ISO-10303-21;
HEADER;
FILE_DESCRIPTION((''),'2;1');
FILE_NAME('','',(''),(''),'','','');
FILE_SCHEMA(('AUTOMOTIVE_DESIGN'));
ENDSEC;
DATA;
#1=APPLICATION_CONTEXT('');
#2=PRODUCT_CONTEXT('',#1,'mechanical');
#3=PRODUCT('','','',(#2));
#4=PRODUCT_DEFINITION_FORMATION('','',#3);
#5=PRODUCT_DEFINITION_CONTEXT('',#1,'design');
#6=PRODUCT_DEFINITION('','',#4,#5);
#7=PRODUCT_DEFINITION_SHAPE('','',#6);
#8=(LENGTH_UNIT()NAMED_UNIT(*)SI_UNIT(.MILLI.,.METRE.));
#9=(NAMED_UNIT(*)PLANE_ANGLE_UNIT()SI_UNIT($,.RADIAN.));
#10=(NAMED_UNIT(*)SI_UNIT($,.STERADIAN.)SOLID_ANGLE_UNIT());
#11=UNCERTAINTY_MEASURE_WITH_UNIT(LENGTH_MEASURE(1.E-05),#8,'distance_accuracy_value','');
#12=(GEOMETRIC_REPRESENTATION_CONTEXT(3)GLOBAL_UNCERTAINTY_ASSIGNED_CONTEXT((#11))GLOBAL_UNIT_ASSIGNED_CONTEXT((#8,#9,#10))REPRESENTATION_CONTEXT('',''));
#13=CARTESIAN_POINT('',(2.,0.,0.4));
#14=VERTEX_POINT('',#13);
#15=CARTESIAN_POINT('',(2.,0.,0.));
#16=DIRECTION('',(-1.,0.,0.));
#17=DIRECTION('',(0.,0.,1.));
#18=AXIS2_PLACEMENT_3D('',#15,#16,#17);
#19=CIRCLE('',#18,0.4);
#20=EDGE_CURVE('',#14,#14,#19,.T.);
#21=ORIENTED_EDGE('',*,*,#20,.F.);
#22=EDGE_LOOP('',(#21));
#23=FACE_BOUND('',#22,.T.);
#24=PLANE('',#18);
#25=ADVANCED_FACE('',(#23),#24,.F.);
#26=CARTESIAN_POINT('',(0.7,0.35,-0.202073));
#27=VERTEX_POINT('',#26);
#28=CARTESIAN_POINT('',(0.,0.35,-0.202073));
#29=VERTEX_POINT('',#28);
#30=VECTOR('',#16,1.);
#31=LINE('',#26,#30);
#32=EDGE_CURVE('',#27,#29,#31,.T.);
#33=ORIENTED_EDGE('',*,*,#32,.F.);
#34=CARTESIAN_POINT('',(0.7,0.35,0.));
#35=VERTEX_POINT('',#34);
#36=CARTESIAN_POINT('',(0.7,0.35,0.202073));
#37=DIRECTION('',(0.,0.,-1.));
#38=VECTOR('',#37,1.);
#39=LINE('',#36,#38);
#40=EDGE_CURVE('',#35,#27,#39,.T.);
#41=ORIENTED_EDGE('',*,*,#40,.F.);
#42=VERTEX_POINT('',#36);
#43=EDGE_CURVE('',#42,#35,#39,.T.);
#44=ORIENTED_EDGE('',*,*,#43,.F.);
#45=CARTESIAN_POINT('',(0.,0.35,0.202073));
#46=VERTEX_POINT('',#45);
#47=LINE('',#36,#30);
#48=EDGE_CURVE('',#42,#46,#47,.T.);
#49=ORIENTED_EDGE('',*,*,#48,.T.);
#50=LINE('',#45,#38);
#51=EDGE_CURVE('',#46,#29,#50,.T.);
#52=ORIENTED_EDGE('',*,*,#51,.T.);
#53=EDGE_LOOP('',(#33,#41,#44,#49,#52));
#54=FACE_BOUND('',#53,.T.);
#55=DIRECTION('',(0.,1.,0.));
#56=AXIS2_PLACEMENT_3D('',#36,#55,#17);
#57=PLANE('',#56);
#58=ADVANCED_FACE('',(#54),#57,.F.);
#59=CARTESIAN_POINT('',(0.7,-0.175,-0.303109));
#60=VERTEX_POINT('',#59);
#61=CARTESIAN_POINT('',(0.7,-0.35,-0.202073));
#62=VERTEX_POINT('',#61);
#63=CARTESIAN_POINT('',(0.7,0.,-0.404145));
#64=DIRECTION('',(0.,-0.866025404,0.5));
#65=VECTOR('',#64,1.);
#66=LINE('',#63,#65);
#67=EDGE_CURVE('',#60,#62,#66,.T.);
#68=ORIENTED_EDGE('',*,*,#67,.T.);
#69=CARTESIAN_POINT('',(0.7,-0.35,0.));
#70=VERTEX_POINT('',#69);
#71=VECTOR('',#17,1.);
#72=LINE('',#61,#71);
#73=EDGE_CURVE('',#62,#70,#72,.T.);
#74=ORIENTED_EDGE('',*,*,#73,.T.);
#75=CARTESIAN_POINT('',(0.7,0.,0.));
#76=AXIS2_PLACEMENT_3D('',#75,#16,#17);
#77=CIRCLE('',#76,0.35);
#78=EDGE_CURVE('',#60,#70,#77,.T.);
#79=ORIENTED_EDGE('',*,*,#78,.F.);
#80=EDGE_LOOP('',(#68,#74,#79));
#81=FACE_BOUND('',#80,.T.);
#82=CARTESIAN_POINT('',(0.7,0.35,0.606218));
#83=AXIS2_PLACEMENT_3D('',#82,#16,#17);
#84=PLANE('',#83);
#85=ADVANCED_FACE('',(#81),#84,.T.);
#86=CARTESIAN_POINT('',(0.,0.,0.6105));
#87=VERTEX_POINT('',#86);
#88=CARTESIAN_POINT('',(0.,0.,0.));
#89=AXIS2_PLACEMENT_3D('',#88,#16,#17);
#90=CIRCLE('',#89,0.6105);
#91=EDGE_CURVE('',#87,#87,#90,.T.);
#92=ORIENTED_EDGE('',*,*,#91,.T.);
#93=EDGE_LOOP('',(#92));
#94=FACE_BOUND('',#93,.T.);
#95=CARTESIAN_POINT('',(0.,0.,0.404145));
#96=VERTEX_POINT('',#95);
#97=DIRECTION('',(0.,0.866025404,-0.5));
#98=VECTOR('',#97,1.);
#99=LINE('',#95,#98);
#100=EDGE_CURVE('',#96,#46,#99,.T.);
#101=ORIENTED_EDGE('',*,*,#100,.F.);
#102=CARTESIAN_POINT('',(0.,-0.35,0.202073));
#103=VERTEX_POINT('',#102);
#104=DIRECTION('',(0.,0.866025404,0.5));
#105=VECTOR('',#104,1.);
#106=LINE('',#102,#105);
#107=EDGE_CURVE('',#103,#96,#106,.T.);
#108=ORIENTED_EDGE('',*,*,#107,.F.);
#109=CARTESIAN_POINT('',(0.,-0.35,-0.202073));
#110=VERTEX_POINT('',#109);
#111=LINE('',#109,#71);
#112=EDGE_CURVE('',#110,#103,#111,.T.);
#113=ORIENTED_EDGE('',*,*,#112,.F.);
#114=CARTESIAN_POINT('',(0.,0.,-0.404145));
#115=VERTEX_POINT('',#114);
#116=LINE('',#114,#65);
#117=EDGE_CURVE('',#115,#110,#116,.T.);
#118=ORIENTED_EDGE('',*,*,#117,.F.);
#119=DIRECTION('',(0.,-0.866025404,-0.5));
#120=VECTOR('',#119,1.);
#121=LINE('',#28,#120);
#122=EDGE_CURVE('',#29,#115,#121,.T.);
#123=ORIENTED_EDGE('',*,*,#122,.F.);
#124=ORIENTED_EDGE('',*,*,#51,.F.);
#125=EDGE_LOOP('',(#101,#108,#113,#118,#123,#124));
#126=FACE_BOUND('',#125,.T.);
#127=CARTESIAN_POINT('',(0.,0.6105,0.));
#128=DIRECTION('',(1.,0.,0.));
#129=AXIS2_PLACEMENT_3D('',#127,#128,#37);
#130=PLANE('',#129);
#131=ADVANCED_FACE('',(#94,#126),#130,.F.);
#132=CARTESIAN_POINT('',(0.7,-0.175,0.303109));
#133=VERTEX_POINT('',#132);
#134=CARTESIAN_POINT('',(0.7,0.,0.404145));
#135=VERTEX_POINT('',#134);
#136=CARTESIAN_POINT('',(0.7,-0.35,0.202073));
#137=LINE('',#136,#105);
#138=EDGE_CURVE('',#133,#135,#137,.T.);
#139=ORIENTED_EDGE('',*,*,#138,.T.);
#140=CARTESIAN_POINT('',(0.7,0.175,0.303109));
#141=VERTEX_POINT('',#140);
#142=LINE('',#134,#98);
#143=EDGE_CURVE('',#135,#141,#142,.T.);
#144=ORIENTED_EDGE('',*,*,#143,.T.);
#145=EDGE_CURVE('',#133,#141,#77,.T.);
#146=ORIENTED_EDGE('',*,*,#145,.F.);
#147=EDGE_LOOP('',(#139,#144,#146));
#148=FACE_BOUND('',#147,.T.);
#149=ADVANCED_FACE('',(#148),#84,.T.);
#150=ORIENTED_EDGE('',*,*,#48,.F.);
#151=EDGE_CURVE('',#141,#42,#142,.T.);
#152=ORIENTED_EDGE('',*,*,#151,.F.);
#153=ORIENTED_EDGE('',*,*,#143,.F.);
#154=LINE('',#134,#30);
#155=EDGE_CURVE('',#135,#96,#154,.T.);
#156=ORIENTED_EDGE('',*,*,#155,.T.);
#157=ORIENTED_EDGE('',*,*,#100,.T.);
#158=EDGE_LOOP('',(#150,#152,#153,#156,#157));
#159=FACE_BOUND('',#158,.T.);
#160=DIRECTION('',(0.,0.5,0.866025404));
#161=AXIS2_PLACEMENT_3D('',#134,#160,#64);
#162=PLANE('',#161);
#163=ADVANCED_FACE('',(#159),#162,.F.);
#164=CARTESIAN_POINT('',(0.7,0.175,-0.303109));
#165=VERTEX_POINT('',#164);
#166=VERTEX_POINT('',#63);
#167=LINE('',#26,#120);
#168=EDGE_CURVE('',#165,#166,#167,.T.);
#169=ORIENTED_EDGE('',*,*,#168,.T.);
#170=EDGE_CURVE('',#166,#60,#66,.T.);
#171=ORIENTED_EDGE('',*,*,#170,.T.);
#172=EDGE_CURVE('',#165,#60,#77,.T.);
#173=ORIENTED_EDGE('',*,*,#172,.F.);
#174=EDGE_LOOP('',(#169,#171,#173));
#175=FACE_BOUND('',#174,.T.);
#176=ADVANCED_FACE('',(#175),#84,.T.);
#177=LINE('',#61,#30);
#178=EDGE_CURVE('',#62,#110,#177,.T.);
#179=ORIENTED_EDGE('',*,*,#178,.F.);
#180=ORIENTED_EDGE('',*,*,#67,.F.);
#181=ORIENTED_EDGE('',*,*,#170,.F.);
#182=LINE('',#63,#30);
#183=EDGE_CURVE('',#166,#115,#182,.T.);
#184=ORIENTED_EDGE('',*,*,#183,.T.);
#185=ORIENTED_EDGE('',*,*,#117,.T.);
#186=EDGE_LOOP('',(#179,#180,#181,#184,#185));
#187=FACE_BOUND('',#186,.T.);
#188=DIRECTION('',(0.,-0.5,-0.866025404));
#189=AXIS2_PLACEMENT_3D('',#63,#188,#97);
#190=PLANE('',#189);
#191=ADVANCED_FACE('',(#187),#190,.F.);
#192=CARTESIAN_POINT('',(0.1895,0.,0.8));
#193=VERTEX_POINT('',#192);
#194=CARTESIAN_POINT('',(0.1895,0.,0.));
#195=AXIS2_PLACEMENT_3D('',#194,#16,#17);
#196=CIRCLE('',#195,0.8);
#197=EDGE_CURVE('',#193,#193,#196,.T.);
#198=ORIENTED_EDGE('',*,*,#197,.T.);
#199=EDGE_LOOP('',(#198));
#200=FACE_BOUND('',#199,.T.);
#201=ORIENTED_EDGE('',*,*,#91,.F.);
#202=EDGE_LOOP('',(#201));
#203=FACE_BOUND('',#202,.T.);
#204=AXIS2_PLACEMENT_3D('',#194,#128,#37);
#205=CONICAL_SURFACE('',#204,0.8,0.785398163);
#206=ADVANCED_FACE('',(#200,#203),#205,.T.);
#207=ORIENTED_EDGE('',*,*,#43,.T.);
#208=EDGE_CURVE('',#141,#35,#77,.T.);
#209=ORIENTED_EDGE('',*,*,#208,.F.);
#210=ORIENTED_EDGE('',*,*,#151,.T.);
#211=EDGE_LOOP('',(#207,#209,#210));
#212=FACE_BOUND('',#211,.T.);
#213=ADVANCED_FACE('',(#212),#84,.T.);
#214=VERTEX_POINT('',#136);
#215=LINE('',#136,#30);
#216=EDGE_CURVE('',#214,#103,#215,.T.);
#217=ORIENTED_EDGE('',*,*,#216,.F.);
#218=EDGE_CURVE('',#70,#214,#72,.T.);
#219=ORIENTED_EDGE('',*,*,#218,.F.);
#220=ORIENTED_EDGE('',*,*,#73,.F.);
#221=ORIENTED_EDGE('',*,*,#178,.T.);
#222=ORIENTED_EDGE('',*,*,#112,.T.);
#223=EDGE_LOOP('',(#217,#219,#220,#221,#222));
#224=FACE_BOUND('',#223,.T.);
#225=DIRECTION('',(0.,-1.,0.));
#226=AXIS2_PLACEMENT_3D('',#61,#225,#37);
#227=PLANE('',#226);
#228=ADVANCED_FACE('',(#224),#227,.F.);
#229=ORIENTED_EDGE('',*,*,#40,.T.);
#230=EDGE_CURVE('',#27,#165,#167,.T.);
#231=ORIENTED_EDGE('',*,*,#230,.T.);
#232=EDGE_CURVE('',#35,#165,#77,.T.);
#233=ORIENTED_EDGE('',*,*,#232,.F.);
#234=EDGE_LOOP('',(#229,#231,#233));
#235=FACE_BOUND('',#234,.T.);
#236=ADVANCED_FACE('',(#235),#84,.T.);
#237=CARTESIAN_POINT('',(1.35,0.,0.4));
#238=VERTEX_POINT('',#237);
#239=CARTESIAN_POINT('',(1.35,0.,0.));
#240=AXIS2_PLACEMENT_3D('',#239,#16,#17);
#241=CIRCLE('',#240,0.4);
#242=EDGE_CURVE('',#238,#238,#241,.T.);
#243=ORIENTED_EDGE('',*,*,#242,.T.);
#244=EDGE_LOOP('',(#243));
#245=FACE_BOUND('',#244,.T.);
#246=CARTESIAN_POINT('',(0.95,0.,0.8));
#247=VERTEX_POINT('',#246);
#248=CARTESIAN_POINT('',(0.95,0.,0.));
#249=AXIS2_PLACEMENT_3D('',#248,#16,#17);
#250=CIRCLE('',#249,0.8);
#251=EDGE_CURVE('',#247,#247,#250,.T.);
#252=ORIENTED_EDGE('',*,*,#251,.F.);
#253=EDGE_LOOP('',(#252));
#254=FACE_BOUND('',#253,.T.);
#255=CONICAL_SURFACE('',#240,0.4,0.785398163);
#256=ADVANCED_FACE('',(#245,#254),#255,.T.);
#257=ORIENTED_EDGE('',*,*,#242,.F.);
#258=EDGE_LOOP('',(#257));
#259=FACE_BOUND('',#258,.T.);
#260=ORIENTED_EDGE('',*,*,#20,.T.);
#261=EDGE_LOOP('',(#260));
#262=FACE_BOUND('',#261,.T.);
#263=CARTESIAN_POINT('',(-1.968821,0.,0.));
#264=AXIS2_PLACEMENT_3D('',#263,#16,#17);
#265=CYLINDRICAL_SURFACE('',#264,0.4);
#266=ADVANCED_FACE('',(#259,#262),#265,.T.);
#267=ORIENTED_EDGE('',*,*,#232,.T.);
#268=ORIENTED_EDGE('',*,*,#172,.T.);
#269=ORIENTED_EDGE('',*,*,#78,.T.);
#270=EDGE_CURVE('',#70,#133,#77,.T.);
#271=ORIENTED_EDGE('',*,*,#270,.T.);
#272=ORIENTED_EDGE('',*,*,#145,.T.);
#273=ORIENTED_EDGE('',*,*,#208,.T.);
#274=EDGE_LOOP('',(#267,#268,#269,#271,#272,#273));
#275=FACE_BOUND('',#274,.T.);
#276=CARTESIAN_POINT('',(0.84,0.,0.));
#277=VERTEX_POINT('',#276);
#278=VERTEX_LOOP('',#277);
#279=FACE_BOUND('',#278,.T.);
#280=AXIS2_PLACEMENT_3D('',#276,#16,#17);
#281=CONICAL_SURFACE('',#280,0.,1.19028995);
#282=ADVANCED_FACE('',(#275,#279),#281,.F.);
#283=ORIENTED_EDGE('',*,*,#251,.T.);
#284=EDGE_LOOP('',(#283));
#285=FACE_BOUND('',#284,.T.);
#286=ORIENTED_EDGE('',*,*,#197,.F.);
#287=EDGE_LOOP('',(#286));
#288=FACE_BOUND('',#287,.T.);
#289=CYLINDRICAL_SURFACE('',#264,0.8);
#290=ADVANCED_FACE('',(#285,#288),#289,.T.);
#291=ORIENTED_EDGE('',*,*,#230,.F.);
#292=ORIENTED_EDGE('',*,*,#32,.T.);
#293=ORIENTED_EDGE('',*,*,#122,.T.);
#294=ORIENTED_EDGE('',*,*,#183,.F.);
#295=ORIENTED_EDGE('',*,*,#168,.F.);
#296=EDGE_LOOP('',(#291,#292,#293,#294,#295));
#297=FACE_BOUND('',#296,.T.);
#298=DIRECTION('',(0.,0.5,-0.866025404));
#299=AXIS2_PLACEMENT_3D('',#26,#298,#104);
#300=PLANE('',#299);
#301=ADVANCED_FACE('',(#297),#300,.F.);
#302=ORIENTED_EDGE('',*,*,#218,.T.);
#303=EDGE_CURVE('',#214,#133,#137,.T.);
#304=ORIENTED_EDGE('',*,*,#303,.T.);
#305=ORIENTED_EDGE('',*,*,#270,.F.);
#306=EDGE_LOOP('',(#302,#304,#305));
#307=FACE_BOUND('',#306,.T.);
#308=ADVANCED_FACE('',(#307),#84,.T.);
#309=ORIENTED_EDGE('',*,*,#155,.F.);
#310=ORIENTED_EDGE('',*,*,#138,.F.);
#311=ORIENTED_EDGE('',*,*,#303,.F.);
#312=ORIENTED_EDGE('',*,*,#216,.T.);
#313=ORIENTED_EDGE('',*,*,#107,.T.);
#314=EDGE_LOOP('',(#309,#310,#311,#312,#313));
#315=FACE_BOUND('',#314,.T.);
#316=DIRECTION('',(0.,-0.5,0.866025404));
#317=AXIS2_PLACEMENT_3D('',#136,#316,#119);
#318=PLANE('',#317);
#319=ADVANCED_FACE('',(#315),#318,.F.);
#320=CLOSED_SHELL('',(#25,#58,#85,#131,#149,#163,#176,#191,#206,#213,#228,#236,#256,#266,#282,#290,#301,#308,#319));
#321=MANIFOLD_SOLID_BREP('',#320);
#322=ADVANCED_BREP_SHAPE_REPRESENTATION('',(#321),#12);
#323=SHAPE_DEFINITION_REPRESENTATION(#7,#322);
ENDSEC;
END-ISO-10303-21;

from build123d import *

# Parameters (mm, degrees)
HEXAGONSOCKET_DEPTH = 0.7


with BuildPart() as part:
    # Sketch1 → Base (revolve)
    with BuildSketch(Plane.XY, mode=Mode.PRIVATE) as base_sk:
        Polygon((0, 0), (2, 0), (2, 0.4), (1.35, 0.4), (0.95, 0.8), (0.1895, 0.8), (0, 0.6105), align=None)
    revolve(base_sk.sketch.rotate(Axis((-1.968820569, 0, 0), (1, 0, 0)), 90), axis=Axis((-1.968820569, 0, 0), (1, 0, 0)))

    # Sketch2 → HexagonSocket (cut)
    with BuildSketch(Plane(origin=(0, -1.128463942, -0.35035393), x_dir=(0, 0, 1), z_dir=(-1, 0, 0))):
        Polygon((0.754499118, 1.128463942), (0.552426524, 1.478463942), (0.148281336, 1.478463942), (-0.053791259, 1.128463942), (0.148281336, 0.778463942), (0.552426524, 0.778463942), align=None)
    extrude(amount=-HEXAGONSOCKET_DEPTH, mode=Mode.SUBTRACT)

    # Sketch3 → Cut-Revolve1 (revolve, cut)
    with BuildSketch(Plane.XY, mode=Mode.PRIVATE) as cut_revolve1_sk:
        Polygon((0.7, 0.35), (0.7, 0), (0.84, 0), align=None)
    revolve(cut_revolve1_sk.sketch.rotate(Axis((-0.330994676, 0, 0), (1, 0, 0)), 90), axis=Axis((-0.330994676, 0, 0), (1, 0, 0)), mode=Mode.SUBTRACT)


solid = part.part
